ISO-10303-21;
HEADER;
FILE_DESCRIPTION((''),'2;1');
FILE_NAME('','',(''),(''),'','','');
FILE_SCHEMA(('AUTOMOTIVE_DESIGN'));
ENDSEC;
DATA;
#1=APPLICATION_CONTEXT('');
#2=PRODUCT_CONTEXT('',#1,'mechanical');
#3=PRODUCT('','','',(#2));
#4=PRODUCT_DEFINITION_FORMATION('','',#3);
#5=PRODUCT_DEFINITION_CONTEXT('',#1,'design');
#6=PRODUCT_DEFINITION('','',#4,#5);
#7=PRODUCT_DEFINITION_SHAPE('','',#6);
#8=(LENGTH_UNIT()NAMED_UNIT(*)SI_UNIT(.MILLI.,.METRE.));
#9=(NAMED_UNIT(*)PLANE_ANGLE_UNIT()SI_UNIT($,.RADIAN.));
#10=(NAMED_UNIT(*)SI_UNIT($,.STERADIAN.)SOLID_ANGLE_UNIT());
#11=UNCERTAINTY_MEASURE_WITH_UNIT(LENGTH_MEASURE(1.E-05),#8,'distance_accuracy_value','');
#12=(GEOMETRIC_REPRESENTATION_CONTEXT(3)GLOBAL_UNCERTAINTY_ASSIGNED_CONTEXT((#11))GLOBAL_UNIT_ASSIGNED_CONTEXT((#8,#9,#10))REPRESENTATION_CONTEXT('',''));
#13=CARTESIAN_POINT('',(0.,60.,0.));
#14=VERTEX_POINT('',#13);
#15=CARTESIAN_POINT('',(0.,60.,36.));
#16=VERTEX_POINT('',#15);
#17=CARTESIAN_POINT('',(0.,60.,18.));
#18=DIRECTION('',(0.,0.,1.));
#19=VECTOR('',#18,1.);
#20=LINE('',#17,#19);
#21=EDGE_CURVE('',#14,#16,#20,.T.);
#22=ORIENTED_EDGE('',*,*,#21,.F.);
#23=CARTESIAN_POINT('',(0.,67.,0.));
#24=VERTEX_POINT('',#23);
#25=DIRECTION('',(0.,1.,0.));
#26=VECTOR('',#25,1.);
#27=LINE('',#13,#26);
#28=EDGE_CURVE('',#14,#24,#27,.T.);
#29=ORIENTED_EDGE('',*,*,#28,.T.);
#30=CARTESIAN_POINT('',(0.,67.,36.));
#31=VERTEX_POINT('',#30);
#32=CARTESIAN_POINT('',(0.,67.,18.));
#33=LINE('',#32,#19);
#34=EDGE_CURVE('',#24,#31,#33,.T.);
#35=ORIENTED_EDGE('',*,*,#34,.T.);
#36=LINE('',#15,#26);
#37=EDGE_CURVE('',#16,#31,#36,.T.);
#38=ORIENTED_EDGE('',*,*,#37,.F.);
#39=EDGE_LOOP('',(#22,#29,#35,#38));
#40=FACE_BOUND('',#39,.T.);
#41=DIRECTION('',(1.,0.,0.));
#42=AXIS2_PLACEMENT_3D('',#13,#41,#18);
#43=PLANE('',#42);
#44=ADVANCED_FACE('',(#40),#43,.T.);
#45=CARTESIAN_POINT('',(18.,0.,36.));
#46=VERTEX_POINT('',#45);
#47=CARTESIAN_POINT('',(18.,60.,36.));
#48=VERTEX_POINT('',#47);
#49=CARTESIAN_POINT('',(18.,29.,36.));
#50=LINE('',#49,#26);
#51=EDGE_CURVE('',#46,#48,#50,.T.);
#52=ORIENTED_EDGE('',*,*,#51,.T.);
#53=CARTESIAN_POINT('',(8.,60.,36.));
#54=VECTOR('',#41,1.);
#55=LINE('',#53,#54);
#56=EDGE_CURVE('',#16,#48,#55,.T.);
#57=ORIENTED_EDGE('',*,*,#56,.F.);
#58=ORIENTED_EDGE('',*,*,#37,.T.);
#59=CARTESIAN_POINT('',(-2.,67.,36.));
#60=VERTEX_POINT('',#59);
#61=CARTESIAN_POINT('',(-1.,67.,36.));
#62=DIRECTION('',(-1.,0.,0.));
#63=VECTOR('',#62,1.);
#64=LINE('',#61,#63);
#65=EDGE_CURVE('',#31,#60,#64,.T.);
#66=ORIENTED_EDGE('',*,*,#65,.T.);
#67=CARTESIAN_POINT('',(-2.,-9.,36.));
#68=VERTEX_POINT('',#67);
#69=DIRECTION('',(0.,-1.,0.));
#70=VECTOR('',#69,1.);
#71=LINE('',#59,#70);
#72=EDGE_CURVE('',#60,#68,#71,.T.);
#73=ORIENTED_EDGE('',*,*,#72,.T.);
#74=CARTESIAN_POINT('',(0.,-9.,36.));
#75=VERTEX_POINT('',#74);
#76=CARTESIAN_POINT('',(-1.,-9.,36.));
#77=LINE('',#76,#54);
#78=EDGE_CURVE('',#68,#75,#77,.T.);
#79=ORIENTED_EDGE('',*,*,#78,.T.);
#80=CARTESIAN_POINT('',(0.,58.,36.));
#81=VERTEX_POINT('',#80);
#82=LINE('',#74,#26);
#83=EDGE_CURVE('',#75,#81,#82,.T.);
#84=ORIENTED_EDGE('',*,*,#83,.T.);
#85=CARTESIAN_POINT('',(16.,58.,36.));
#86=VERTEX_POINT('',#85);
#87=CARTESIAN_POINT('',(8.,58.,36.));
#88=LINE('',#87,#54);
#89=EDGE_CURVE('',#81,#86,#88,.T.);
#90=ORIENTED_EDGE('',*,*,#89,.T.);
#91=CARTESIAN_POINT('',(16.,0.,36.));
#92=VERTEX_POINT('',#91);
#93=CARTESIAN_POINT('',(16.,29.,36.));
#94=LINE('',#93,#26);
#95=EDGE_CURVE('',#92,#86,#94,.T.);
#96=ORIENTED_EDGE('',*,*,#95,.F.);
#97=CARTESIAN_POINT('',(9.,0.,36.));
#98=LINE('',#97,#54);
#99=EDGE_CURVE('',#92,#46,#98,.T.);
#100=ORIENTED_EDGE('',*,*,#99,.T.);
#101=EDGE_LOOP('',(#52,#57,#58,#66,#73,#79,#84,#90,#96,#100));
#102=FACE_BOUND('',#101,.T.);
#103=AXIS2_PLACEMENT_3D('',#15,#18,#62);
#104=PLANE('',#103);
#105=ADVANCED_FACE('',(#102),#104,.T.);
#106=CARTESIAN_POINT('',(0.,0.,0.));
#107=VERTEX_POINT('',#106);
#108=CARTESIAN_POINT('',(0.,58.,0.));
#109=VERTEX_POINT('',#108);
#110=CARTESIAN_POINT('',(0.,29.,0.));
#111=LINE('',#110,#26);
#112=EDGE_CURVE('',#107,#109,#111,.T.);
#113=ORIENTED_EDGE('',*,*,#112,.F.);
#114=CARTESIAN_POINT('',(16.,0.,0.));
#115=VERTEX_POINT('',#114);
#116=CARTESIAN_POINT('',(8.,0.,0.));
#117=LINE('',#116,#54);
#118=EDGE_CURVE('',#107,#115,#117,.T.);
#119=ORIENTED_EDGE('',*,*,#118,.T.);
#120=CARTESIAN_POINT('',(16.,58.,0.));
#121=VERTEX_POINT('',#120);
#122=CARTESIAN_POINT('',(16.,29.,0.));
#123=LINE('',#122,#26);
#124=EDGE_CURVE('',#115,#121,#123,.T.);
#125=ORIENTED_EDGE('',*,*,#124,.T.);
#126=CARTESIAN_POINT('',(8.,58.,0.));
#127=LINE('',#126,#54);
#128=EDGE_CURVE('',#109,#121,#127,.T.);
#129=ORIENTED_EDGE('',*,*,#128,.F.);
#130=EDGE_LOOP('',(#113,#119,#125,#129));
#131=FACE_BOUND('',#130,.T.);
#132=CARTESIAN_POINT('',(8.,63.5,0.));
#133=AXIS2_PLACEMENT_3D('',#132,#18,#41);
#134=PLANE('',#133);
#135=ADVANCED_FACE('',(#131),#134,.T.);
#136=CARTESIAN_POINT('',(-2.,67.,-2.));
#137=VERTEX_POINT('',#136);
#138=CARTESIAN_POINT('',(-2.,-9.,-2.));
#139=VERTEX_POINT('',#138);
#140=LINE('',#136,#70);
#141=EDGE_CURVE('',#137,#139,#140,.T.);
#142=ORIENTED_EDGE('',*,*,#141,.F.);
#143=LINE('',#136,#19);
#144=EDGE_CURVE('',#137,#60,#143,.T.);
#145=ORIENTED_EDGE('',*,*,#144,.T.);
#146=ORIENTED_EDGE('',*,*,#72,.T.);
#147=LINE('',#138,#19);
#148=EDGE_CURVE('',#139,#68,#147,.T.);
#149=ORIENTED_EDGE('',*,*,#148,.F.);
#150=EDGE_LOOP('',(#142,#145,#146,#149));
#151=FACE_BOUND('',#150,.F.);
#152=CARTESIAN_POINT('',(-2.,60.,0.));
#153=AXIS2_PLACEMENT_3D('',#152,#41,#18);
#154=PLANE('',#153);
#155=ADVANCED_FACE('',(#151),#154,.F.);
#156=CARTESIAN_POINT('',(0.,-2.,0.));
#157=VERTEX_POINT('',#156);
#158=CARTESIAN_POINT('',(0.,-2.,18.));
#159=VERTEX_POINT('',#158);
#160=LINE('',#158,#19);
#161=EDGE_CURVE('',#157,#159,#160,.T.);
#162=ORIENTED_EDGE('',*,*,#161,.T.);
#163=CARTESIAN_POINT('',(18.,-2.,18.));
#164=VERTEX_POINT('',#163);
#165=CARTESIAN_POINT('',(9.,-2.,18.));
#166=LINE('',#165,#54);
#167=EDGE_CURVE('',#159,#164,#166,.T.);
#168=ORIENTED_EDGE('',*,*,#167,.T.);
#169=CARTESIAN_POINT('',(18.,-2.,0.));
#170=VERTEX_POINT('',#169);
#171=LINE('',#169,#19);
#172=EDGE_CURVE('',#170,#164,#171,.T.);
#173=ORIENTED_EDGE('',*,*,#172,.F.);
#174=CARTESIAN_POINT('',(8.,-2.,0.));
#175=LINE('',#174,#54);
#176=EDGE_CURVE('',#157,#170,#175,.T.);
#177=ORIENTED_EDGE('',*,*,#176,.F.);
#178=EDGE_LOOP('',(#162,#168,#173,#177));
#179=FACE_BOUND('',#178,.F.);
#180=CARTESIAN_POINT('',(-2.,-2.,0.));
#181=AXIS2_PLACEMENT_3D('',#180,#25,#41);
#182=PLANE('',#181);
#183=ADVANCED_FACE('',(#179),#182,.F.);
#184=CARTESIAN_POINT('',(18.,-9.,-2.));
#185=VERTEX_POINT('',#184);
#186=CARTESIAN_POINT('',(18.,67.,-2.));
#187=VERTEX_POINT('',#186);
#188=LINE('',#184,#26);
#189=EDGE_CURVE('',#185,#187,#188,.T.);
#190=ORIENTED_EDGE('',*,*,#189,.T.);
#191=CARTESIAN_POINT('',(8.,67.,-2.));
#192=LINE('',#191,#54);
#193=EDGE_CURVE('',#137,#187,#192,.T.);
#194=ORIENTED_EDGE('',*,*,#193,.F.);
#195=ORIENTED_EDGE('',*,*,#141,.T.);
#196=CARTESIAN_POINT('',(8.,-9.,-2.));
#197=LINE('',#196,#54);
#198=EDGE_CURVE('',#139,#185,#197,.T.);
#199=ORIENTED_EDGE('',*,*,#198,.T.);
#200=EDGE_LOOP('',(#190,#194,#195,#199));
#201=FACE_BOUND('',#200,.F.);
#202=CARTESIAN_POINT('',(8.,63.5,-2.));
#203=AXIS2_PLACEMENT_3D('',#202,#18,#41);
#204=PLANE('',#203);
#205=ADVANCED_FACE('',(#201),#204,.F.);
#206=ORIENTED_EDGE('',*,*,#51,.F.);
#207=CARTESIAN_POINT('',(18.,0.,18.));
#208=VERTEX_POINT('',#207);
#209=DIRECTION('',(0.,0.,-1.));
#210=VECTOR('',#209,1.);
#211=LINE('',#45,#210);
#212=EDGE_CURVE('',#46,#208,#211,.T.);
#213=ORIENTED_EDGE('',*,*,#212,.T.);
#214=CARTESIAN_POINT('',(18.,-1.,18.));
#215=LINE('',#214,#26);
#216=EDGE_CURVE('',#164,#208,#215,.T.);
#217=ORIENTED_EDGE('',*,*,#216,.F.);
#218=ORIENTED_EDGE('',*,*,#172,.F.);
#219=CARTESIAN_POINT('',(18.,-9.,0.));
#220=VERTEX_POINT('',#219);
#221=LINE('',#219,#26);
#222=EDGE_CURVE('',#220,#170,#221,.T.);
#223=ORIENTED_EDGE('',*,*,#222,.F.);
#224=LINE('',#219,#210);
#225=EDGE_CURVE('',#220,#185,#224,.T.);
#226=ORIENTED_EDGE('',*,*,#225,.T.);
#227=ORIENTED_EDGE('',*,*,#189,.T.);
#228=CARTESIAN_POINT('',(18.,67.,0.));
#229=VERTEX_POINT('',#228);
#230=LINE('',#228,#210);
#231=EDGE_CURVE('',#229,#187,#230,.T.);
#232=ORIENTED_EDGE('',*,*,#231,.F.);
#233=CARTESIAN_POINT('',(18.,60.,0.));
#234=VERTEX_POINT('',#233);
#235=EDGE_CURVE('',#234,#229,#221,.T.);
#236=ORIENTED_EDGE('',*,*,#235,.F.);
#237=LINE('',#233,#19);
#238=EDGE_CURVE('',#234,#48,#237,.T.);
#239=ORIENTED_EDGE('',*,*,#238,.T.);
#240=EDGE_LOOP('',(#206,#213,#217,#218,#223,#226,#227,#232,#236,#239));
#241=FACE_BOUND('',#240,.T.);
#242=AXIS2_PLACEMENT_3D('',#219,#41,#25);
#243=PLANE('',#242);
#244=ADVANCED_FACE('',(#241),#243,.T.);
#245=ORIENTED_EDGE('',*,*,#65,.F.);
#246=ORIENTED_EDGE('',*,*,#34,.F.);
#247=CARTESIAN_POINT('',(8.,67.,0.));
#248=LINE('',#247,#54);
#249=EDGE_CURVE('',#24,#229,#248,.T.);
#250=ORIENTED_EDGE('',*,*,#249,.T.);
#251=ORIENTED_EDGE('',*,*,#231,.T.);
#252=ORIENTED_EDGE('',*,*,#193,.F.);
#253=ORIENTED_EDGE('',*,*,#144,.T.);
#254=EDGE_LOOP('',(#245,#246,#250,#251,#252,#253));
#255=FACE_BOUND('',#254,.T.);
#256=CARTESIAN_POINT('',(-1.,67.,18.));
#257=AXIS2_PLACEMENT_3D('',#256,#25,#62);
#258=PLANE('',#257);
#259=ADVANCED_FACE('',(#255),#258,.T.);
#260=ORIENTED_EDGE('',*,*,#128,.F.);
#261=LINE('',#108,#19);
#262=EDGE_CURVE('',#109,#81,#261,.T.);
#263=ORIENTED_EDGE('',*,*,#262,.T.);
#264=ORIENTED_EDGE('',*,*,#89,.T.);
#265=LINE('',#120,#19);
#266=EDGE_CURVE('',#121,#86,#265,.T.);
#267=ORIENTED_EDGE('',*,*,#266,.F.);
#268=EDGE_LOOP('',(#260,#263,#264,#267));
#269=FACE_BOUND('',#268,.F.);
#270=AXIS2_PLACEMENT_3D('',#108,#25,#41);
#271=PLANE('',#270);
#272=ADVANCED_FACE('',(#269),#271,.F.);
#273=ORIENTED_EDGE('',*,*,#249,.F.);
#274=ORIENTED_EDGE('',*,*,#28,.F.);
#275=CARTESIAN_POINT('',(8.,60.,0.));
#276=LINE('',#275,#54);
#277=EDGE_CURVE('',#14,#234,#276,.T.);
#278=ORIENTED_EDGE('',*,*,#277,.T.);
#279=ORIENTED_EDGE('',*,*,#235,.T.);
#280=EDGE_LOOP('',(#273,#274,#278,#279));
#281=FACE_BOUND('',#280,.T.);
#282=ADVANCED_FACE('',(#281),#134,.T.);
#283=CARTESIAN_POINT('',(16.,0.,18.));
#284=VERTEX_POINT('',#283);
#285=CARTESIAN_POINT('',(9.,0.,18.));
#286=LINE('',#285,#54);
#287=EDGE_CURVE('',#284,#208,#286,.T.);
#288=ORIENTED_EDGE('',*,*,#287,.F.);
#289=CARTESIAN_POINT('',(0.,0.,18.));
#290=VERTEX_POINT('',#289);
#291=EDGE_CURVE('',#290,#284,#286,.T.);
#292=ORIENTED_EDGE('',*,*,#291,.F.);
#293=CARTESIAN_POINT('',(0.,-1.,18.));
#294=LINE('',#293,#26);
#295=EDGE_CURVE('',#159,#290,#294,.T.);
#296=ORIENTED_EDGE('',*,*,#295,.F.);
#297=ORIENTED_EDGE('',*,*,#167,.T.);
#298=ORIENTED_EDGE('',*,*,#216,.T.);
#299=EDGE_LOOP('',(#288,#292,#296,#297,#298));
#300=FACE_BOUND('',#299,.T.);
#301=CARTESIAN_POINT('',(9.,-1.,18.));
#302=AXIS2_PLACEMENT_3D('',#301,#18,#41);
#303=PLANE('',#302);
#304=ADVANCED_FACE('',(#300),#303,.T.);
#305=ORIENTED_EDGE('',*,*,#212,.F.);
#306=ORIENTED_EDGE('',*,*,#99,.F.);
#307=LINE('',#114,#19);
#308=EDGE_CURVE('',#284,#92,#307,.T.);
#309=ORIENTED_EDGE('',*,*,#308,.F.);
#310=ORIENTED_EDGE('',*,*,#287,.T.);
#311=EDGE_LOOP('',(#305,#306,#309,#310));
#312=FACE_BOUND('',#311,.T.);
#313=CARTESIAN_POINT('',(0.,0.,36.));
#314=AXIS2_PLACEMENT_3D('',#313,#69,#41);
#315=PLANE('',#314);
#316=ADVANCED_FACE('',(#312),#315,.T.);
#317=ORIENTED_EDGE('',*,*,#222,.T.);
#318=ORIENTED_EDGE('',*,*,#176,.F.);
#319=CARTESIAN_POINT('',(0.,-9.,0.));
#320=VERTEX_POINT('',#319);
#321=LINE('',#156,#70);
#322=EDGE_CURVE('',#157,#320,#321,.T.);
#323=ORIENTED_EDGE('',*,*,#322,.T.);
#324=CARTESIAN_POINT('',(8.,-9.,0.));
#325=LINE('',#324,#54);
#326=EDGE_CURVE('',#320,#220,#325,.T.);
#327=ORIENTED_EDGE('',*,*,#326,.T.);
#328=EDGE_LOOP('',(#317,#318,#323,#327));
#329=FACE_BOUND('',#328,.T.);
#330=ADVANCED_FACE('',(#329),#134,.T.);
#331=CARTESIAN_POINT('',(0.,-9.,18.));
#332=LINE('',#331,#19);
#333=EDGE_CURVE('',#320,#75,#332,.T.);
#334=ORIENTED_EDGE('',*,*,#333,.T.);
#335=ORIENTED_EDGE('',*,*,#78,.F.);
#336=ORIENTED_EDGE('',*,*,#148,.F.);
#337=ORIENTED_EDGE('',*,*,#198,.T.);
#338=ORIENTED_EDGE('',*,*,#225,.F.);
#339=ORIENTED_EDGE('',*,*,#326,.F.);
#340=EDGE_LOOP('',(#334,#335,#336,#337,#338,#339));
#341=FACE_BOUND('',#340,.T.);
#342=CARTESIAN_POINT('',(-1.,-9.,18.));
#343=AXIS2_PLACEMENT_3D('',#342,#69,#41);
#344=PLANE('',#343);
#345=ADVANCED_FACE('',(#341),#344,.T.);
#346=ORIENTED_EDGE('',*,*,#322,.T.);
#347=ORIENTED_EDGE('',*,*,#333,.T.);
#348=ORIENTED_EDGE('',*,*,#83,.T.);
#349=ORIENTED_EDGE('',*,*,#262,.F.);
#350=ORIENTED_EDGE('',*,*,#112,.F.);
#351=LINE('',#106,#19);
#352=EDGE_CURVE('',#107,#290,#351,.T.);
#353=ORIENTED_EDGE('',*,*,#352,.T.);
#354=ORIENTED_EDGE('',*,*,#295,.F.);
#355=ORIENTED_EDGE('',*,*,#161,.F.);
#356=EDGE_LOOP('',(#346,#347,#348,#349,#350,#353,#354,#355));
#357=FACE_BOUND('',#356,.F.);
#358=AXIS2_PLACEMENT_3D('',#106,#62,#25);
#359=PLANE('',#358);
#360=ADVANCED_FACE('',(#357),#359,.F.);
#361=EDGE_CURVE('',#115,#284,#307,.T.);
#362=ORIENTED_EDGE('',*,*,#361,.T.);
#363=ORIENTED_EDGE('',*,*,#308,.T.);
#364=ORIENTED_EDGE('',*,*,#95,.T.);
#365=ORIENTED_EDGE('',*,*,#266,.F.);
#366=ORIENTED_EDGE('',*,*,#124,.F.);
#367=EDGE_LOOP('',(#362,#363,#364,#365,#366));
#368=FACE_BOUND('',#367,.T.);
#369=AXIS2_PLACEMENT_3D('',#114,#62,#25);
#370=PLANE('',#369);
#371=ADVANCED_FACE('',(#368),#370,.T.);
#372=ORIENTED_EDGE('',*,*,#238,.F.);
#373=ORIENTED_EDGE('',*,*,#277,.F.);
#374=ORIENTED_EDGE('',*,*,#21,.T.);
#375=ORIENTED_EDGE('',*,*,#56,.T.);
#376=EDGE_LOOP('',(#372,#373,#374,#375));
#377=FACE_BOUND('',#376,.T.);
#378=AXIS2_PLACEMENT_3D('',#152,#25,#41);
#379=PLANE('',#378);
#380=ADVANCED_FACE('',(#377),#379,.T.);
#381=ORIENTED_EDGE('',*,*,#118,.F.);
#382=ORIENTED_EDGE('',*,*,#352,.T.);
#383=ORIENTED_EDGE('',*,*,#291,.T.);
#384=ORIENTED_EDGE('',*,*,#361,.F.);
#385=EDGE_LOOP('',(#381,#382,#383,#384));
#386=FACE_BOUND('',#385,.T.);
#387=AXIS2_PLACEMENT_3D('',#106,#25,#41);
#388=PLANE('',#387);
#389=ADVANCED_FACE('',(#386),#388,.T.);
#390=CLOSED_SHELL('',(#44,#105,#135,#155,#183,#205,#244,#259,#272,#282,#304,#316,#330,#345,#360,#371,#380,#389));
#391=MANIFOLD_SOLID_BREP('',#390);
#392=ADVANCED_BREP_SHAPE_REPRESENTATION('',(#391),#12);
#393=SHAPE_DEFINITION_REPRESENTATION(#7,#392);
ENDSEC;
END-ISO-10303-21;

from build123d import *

# Parameters (mm, degrees)
F0_W     = 20
F0_H     = 7
F0_H_2   = 62
F0_W_2   = 16
F0_H_3   = 58
F1_DEPTH = 2
F2_DEPTH = 36
F3_W     = 2
F3_H     = 36
F4_DEPTH = 7
F5_W     = 2
F5_H     = 36
F6_DEPTH = 7
F7_W     = 18
F7_H     = 2
F8_DEPTH = 18


with BuildPart() as f1:
    # F0 (on Top) → F1 (new body)
    with BuildSketch(Plane.XY):
        with Locations((8, 63.5)):
            Rectangle(F0_W, F0_H)
        with Locations((8, 29)):
            Rectangle(F0_W, F0_H_2)
        with Locations((8, 29)):
            Rectangle(F0_W_2, F0_H_3, mode=Mode.SUBTRACT)
        with Locations((8, 29)):
            Rectangle(F0_W_2, F0_H_3)
        with Locations((8, -5.5)):
            Rectangle(F0_W, F0_H)
    extrude(amount=-F1_DEPTH)

    # F0 (on Top) → F2 (join)
    with BuildSketch(Plane.XY):
        with Locations((8, 29)):
            Rectangle(F0_W, F0_H_2)
        with Locations((8, 29)):
            Rectangle(F0_W_2, F0_H_3, mode=Mode.SUBTRACT)
    extrude(amount=F2_DEPTH)

    # F3 (on face) → F4 (join)
    with BuildSketch(Plane.XZ.offset(2)):
        with Locations((-1, 18)):
            Rectangle(F3_W, F3_H)
    extrude(amount=F4_DEPTH)

    # F5 (on face) → F6 (join)
    with BuildSketch(Plane(origin=(0, 60, 0), x_dir=(-1, 0, 0), z_dir=(0, 1, 0))):
        with Locations((1, 18)):
            Rectangle(F5_W, F5_H)
    extrude(amount=F6_DEPTH)

    # F7 (on face) → F8 (cut)
    with BuildSketch(Plane.XY.offset(36)):
        with Locations((9, -1)):
            Rectangle(F7_W, F7_H)
    extrude(amount=-F8_DEPTH, mode=Mode.SUBTRACT)


solid = f1.part
